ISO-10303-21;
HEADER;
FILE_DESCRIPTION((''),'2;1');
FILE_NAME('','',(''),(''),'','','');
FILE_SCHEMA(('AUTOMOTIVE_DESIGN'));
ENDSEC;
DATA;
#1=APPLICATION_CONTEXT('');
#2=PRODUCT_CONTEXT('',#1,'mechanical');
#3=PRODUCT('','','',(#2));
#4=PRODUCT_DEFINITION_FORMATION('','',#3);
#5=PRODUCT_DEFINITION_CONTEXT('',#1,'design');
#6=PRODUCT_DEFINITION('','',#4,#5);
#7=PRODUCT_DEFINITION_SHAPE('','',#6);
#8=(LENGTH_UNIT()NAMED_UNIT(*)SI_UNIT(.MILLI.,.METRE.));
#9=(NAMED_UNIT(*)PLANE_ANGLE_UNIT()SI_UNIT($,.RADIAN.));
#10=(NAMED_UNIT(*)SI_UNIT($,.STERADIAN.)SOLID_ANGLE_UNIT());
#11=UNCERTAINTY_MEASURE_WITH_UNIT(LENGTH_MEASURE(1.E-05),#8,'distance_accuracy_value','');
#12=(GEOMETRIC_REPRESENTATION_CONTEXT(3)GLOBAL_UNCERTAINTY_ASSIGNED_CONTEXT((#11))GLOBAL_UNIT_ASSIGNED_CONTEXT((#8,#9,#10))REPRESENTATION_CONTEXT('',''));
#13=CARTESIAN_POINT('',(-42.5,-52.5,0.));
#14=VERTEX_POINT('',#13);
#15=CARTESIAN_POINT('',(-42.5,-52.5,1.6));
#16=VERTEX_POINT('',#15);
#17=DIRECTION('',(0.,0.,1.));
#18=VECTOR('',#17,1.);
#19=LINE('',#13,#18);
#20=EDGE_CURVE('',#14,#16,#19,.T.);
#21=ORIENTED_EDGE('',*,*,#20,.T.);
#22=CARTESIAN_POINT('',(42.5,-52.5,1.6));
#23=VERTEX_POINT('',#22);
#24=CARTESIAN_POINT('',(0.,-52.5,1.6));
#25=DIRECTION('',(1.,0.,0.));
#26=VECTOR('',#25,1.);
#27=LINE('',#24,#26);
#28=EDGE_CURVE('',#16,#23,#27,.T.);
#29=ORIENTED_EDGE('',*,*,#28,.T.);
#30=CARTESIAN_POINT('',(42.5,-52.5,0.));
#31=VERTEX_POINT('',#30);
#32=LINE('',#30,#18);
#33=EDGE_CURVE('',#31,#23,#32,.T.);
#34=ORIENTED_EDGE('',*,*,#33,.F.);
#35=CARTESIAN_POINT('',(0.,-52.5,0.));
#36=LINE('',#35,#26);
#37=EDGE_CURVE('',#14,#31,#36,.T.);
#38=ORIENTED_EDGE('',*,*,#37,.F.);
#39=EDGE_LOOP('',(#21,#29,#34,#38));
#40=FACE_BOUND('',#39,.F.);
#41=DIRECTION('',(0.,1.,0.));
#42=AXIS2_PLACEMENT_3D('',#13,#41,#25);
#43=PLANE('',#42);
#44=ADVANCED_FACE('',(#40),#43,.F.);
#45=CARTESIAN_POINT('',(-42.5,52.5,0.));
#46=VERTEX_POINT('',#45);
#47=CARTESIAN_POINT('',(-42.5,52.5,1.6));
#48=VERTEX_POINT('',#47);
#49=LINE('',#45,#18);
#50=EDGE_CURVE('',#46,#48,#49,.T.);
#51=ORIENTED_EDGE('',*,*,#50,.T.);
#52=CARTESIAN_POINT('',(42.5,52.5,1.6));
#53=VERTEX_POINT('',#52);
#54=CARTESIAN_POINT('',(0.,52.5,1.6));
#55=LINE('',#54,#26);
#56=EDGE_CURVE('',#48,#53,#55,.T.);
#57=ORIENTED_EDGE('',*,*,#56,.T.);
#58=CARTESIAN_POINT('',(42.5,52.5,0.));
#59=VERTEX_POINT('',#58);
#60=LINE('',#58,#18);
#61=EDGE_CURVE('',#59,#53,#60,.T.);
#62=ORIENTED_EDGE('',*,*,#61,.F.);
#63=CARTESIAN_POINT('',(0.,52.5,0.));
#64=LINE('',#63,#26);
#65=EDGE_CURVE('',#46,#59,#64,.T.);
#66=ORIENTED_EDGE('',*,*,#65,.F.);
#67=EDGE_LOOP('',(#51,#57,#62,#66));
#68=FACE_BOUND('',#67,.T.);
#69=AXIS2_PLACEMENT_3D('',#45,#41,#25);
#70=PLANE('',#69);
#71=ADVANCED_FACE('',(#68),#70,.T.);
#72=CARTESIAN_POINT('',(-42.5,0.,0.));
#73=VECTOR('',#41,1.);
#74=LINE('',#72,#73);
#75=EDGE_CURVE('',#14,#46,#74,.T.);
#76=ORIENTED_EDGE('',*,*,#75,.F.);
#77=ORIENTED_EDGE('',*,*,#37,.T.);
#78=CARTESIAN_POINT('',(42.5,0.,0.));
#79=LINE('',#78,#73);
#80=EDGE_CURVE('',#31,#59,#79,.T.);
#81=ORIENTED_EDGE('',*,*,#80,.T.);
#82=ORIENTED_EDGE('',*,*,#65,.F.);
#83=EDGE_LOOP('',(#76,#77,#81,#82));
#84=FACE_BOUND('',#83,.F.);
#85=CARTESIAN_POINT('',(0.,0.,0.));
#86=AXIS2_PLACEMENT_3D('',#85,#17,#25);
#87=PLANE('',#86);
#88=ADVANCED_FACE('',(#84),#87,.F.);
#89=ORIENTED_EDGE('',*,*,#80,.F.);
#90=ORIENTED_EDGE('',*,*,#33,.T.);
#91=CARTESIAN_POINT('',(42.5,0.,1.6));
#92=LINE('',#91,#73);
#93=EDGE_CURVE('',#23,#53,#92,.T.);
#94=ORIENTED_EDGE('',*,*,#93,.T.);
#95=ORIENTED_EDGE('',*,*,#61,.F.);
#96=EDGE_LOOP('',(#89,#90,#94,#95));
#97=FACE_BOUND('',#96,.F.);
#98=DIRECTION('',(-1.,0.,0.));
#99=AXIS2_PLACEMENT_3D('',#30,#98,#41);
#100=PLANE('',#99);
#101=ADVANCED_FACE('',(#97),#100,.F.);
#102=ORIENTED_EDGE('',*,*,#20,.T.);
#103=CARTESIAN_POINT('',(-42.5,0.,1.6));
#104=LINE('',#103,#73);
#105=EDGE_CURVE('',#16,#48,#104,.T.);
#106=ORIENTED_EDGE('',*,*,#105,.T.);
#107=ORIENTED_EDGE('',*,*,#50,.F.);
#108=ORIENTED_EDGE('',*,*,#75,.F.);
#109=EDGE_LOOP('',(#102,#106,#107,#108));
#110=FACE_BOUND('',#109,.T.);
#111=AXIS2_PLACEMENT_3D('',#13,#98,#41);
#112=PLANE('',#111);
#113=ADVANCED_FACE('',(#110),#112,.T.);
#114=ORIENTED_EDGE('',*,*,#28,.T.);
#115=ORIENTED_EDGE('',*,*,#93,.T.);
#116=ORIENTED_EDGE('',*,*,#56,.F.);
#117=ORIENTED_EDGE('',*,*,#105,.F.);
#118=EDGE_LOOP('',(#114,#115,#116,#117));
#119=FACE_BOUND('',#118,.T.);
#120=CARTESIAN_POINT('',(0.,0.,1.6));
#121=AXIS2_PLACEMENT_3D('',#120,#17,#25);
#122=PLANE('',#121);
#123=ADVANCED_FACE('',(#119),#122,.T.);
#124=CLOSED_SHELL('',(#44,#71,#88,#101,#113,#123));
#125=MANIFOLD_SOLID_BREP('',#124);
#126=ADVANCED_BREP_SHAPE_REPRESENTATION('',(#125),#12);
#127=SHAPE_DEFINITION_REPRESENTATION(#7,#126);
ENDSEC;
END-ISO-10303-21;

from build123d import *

# Parameters (mm, degrees)
SKETCH_W  = 85
SKETCH_H  = 105
PAD_DEPTH = 1.6


with BuildPart() as part:
    # Sketch → Pad (new body)
    with BuildSketch(Plane.XY):
        Rectangle(SKETCH_W, SKETCH_H)
    extrude(amount=PAD_DEPTH)


solid = part.part
